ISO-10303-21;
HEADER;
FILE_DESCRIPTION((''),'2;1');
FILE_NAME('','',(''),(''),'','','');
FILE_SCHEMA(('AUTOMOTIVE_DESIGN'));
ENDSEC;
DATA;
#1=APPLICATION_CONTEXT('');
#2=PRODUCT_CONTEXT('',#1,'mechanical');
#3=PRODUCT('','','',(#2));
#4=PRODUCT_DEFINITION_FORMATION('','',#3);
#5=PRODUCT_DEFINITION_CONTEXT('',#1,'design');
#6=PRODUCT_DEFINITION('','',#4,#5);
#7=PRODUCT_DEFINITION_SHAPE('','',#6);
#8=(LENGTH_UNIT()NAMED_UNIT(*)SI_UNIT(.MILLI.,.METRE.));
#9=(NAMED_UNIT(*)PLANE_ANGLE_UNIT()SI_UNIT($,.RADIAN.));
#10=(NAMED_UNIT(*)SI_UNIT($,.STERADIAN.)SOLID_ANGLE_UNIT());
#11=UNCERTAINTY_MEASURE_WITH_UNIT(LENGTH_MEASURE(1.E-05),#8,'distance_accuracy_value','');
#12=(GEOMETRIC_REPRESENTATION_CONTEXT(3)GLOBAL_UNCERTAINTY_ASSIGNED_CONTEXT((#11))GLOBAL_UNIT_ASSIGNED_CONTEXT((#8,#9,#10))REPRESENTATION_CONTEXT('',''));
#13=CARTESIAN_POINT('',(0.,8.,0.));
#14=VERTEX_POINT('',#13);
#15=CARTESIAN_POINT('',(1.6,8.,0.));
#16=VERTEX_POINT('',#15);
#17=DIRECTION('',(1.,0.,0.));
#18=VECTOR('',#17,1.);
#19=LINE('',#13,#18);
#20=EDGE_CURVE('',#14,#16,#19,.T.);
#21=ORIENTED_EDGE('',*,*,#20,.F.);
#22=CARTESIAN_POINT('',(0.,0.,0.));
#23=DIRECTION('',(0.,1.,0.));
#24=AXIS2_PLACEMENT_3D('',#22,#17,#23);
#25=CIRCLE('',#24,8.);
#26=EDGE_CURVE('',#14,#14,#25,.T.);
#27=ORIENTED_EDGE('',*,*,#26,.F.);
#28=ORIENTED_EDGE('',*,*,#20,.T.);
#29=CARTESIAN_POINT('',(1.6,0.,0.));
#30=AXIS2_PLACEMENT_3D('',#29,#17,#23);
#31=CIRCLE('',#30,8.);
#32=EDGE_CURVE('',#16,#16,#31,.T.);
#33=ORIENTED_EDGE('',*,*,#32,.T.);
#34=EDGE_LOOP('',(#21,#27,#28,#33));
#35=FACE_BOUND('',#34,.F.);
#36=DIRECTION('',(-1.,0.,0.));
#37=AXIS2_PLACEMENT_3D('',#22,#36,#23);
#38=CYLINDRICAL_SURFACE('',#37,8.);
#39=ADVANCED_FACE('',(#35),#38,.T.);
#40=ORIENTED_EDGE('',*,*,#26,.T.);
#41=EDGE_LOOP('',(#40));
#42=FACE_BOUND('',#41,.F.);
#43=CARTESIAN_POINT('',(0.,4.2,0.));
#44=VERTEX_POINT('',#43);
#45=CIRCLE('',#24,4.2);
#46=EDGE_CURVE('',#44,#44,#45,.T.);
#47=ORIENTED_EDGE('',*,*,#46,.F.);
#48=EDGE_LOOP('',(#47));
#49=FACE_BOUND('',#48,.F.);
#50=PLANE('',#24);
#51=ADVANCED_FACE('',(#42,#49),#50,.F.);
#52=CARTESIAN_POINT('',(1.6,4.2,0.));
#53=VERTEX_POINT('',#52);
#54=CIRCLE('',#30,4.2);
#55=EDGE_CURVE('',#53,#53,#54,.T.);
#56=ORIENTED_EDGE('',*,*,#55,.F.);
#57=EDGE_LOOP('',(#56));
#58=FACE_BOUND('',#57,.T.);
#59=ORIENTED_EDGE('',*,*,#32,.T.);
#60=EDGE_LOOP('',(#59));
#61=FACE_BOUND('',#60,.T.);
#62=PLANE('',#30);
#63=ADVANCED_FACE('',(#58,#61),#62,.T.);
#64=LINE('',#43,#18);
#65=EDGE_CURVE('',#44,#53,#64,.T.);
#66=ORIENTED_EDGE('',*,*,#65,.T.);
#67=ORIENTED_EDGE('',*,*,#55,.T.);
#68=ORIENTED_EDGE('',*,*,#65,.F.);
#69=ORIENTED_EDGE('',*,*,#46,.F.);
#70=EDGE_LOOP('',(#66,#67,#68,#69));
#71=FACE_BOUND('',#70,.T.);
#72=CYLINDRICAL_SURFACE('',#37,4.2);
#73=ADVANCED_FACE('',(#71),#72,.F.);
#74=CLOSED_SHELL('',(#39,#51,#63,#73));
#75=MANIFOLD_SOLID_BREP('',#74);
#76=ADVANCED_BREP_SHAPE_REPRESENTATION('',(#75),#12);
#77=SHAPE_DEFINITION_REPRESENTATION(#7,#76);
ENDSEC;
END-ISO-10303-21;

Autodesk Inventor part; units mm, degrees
sketch "Skizze_1" plane through (0, 0, 0) normal (1, 0, 0) x (0, 1, 0)
  circle A0 centre (0, 0) radius 8
  circle A1 centre (0, 0) radius 4.2
extrude "Extrusion1" add sketch "Skizze_1" along normal blind 1.6
ref_plane "BLS_1_XY" through (0, 0, 0) normal (1, 0, 0) x (0, 0, -1)
ref_plane "BLS_1_YZ" through (0, 0, 0) normal (0, 0, -1) x (0, 1, 0)
ref_plane "BLS_1_ZX" through (0, 0, 0) normal (0, 1, 0) x (1, 0, 0)
properties part number "RobotunitsBLS_M008"
